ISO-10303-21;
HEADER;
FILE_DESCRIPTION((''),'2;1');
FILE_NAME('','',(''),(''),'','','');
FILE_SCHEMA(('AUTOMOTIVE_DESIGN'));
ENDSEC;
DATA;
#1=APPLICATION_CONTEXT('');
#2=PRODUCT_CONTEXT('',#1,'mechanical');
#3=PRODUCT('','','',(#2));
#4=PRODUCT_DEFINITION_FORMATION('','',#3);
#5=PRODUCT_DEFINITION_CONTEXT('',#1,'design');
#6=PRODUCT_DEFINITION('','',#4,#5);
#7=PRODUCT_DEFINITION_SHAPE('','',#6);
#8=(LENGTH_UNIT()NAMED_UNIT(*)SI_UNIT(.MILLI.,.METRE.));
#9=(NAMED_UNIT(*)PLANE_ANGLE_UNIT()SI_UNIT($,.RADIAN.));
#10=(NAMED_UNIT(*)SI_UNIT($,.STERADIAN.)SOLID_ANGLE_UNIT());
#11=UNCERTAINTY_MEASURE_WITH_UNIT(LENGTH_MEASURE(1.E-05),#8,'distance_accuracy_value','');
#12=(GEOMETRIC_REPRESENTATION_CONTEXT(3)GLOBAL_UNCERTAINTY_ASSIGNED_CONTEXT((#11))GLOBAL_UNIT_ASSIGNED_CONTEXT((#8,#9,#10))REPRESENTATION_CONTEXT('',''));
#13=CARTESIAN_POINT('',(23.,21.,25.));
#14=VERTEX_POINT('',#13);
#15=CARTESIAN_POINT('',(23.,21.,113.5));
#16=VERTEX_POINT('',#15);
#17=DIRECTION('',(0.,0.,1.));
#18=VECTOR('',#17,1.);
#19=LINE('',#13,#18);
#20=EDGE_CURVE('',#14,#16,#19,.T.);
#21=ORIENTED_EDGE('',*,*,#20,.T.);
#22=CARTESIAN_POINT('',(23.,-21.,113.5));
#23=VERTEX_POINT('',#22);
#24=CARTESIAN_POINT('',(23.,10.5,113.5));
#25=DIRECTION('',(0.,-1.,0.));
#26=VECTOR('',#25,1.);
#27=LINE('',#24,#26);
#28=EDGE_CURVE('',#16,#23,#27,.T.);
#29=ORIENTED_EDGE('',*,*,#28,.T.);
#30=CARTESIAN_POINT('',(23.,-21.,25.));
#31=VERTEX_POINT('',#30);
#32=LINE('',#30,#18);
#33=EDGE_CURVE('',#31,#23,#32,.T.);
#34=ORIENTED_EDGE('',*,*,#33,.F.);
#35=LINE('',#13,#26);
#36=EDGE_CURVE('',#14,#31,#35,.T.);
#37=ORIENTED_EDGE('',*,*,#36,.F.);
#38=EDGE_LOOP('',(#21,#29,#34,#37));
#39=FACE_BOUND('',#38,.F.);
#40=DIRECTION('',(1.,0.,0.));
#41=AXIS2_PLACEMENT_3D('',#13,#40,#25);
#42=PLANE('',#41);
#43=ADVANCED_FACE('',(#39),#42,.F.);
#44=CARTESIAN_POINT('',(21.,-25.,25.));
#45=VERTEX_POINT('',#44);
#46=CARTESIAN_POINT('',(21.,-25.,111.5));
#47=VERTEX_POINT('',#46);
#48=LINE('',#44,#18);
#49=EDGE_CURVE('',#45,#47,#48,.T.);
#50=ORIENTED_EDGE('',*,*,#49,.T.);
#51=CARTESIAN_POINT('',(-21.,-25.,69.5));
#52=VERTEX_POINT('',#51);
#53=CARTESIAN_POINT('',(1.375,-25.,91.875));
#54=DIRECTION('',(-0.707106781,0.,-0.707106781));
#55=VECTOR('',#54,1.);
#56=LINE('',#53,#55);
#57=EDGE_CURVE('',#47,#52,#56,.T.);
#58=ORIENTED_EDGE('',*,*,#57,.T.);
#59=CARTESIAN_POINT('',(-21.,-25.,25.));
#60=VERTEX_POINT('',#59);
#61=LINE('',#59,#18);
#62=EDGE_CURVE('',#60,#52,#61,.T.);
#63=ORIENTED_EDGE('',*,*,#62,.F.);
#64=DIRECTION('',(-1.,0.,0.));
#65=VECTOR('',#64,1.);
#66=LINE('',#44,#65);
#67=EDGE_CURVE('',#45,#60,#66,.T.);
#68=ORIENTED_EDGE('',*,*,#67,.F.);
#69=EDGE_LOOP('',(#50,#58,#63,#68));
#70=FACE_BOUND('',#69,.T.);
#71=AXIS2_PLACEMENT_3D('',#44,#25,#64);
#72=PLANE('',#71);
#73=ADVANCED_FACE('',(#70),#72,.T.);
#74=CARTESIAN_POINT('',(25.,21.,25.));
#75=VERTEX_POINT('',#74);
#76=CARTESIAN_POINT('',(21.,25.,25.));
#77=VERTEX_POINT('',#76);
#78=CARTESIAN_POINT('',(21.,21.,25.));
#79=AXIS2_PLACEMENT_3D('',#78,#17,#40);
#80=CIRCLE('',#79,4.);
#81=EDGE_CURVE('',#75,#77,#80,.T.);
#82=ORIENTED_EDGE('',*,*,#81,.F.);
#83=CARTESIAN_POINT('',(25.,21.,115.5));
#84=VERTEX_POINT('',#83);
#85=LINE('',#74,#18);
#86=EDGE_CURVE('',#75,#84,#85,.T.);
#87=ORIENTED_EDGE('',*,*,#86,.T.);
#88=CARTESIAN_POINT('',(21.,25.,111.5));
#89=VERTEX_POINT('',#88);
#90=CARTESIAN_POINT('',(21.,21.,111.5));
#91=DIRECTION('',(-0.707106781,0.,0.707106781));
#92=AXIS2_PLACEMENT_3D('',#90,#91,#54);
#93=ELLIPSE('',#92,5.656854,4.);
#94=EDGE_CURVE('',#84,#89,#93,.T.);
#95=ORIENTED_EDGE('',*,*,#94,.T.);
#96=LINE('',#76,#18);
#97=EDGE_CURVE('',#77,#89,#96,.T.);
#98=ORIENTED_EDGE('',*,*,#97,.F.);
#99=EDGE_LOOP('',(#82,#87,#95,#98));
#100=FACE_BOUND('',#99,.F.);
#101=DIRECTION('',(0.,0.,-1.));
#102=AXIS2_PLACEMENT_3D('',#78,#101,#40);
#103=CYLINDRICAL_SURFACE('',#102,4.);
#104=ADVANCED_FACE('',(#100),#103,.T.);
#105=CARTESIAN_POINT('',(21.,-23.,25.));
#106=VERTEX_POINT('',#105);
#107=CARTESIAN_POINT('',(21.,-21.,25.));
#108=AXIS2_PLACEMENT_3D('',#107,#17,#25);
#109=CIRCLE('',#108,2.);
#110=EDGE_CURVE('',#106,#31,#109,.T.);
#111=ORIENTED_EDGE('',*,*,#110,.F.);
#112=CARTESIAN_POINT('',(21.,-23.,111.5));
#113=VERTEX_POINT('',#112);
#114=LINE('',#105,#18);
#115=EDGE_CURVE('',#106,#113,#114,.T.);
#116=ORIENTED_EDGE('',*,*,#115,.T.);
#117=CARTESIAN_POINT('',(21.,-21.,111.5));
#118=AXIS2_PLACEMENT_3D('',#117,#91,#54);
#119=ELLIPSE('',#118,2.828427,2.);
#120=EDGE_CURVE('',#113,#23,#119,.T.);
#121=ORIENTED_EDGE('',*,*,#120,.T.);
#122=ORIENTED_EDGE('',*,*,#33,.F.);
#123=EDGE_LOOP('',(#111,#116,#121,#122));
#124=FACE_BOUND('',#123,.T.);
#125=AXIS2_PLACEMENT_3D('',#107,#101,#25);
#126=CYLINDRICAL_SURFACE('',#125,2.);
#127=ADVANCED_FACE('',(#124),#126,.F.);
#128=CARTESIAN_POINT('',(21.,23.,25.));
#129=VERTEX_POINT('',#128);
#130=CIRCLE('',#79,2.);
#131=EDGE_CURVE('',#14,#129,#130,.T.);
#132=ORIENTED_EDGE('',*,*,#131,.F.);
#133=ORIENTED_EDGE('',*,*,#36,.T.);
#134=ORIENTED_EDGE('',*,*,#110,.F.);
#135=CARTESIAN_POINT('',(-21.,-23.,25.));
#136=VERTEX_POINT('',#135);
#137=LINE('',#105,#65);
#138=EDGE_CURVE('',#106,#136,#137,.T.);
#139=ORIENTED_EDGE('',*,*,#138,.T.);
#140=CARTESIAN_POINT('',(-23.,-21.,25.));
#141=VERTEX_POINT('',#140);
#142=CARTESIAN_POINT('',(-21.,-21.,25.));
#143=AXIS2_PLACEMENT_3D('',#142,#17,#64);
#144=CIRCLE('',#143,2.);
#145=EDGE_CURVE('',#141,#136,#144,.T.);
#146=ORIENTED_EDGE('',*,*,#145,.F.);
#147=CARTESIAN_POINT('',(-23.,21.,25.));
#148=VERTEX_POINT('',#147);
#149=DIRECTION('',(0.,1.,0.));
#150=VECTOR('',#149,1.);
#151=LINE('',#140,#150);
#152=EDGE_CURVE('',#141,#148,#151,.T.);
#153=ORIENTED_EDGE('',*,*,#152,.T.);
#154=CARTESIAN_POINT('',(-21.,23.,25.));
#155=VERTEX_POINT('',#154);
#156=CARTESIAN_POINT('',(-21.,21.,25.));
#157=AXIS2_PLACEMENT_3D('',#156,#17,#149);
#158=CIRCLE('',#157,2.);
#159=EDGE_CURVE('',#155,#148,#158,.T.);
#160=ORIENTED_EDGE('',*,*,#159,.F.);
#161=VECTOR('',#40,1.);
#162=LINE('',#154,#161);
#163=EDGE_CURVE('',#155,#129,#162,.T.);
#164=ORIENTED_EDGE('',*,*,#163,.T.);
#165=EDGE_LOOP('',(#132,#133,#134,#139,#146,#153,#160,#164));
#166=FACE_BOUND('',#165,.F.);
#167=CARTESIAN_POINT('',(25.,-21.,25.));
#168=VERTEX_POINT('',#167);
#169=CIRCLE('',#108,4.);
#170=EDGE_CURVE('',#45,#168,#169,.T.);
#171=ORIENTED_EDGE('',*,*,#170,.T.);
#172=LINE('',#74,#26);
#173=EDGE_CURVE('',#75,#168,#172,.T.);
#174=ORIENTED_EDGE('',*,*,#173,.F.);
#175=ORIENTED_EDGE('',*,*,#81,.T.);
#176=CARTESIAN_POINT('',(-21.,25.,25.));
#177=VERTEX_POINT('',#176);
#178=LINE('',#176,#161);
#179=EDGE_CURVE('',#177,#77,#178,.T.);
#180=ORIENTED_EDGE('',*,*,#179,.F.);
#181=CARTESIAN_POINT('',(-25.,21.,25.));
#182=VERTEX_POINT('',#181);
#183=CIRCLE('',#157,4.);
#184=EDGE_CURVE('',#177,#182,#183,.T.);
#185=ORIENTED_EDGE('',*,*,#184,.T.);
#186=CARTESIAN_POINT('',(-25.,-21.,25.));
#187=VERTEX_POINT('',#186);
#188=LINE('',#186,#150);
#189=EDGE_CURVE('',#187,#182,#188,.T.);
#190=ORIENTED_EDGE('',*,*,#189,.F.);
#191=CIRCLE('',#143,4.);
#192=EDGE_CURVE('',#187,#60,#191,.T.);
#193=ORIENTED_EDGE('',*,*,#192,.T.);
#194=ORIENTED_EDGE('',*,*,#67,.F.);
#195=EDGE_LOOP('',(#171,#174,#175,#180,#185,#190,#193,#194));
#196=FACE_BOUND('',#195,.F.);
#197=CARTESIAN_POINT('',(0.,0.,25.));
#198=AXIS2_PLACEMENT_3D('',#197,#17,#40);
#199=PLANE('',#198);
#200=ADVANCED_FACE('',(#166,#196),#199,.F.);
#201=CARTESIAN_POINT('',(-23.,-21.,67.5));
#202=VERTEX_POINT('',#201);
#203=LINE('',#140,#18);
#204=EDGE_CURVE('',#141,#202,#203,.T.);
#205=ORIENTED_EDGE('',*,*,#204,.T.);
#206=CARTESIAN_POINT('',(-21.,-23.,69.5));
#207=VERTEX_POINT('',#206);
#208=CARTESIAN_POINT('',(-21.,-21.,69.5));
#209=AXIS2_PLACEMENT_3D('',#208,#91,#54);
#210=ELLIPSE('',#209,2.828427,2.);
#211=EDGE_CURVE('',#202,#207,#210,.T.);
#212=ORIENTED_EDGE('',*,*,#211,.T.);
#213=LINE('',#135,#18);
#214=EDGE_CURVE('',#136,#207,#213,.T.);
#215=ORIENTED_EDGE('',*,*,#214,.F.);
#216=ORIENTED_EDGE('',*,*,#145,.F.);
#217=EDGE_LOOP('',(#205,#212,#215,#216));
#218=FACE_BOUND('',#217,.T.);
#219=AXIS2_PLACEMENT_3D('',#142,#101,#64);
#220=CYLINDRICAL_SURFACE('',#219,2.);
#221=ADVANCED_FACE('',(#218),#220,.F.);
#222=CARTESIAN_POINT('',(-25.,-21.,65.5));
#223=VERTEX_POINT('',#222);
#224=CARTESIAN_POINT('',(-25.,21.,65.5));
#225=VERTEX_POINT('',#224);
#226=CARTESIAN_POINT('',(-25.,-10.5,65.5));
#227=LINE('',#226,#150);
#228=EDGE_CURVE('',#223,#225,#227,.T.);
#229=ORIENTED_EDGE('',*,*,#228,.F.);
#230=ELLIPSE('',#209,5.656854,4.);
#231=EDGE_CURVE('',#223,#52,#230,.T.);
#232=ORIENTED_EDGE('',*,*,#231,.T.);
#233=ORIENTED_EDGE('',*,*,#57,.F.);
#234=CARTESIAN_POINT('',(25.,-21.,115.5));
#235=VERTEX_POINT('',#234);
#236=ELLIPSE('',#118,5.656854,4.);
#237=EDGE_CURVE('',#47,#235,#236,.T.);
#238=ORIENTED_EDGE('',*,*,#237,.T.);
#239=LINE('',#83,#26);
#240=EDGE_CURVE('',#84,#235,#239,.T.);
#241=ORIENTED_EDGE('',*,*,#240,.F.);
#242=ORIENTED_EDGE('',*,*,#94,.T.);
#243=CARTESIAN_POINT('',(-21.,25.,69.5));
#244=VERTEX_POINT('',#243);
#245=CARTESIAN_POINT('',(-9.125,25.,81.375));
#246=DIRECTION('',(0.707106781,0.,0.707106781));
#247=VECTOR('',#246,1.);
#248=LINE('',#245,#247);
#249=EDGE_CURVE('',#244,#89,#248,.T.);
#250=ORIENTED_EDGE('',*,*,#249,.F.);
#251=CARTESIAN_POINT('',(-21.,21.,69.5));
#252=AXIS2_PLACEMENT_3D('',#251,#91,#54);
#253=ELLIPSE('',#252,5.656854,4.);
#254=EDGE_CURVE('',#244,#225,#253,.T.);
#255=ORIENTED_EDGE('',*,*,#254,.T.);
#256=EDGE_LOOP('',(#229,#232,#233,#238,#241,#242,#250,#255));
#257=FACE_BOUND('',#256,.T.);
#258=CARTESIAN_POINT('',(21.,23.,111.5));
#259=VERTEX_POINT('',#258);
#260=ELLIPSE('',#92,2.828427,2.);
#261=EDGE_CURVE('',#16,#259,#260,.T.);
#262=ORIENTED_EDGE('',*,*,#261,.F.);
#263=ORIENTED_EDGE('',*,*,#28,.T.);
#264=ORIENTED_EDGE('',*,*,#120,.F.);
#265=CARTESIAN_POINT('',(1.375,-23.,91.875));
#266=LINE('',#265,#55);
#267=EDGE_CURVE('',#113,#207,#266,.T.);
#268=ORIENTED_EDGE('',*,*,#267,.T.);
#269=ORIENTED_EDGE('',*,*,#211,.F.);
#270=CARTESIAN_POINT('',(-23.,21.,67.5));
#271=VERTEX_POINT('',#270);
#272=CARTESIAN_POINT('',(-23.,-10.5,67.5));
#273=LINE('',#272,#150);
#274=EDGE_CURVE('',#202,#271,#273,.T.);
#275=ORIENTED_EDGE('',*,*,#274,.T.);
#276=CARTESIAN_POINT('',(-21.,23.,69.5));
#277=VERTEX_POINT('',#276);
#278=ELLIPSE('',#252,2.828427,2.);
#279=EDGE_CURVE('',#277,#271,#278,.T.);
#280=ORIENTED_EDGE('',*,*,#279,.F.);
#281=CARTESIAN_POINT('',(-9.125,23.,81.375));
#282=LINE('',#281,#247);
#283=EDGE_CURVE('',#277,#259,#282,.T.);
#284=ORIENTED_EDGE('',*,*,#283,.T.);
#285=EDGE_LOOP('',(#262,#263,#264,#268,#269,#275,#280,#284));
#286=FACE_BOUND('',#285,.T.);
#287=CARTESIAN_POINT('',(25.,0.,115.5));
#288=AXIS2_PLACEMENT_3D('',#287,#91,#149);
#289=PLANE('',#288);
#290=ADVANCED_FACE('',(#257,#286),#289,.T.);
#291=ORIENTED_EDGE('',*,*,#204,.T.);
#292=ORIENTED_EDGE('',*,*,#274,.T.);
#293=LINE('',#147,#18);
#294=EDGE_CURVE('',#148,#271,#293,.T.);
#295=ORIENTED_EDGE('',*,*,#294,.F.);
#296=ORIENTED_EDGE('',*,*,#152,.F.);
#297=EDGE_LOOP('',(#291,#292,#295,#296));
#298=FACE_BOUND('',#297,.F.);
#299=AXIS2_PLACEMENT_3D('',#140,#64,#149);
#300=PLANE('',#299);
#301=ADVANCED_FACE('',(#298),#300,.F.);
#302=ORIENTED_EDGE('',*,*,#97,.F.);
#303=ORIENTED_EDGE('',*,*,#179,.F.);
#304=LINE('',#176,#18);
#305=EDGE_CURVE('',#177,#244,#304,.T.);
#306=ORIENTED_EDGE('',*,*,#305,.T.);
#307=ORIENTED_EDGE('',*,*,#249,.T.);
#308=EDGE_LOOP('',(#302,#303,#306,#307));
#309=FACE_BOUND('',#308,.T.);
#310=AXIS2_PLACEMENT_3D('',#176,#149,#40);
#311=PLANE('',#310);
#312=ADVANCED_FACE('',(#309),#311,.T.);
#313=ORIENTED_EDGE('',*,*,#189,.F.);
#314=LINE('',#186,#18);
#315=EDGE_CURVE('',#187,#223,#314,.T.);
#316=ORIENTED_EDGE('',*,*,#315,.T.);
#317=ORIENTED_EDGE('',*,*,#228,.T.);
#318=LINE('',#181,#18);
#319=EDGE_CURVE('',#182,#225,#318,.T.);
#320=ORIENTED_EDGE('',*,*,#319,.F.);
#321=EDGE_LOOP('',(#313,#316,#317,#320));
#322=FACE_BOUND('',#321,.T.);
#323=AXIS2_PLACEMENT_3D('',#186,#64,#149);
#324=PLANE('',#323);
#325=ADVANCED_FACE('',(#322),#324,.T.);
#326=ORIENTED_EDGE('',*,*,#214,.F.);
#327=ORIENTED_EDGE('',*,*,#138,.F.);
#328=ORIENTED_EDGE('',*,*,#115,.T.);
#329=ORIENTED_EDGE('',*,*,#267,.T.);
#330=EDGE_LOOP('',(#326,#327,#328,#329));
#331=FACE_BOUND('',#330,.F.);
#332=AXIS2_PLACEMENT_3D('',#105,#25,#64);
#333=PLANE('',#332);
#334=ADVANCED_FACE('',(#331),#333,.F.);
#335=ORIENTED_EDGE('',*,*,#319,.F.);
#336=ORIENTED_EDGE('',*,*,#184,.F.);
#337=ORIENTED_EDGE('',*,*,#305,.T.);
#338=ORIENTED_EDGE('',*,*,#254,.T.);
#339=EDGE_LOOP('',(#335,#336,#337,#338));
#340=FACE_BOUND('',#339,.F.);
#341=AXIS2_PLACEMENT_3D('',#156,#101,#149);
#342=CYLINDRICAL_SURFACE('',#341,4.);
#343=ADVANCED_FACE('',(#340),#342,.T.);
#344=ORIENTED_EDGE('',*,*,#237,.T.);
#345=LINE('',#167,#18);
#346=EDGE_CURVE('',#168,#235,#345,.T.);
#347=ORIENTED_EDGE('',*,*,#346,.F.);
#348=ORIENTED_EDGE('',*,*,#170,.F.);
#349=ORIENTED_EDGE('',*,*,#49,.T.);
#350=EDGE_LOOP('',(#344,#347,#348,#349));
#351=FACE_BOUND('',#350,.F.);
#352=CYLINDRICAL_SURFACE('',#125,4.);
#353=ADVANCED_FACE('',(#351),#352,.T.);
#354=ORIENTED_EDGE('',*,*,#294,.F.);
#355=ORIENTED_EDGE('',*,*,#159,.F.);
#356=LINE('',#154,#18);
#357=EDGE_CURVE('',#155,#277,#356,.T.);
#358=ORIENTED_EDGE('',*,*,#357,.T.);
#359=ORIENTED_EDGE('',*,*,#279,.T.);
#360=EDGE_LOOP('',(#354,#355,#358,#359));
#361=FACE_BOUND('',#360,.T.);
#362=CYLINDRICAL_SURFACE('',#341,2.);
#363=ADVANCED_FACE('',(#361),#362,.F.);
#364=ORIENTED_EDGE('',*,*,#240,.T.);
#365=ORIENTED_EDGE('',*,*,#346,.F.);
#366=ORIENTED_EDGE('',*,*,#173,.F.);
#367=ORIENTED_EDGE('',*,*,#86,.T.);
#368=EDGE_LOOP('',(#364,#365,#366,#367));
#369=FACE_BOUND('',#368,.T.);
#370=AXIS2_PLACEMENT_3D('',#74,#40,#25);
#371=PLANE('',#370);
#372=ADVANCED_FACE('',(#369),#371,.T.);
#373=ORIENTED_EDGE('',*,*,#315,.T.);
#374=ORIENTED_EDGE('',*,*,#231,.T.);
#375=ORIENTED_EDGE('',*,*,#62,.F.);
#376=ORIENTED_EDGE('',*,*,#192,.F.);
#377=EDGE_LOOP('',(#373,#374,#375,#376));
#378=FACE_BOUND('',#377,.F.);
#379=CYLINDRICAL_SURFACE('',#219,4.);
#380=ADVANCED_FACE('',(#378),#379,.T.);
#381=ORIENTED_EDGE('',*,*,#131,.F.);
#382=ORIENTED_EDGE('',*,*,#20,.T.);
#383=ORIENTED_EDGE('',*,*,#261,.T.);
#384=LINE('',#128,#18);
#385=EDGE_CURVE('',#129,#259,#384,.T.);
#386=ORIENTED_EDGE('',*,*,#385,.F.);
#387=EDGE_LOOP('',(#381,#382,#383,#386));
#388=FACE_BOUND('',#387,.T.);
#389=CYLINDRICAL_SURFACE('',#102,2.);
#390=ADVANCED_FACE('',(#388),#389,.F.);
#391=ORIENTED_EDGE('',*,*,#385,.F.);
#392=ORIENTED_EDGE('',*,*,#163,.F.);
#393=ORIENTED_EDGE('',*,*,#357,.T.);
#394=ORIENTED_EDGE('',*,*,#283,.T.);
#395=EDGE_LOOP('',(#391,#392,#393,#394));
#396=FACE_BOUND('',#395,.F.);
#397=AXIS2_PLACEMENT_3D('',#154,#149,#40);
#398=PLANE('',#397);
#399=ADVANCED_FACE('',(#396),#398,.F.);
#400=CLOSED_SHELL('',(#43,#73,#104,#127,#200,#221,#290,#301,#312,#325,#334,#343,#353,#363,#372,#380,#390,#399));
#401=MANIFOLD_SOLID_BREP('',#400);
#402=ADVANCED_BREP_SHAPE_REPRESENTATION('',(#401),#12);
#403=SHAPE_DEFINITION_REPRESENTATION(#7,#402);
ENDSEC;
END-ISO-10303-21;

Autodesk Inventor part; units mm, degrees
ref_plane "Start Plane" through (0, 0, 25) normal (0, 0, 1) x (1, 0, 0)
ref_plane "End Plane" through (0, 0, 115.5) normal (0, 0, 1) x (1, 0, 0)
sketch "Sketch" plane through (0, 0, 0) normal (0, 0, 1) x (1, 0, 0)
  line L0 (-25, -21) -> (-25, 21)
  line L1 (-21, 25) -> (21, 25)
  line L2 (25, 21) -> (25, -21)
  line L3 (21, -25) -> (-21, -25)
  arc A0 (-25, -21) -> (-21, -25) centre (-21, -21) ccw
  arc A1 (25, 21) -> (21, 25) centre (21, 21) ccw
  arc A2 (-21, 25) -> (-25, 21) centre (-21, 21) ccw
  arc A3 (21, -25) -> (25, -21) centre (21, -21) ccw
  arc A4 (-21, 23) -> (-23, 21) centre (-21, 21) ccw
  line L4 (-21, 23) -> (21, 23)
  arc A5 (23, 21) -> (21, 23) centre (21, 21) ccw
  line L5 (23, 21) -> (23, -21)
  arc A6 (21, -23) -> (23, -21) centre (21, -21) ccw
  line L6 (21, -23) -> (-21, -23)
  arc A7 (-23, -21) -> (-21, -23) centre (-21, -21) ccw
  line L7 (-23, -21) -> (-23, 21)
  line L8 (0, 36.1598) -> (0, -36.1598) construction
  line L9 (-36.1598, 0) -> (36.1598, 0) construction
  dimension "d7" = 4
  dimension "d9" = 50
  dimension "d11" = 50
  dimension "d12" = 2
  dimension "d15" = 25
  dimension "d16" = 25
extrude "Body" add sketch "Sketch" along normal up to surface (90.5 mm away) from surface at 25
sketch "Sketch3" plane through (0, 0, 0) normal (0, 0, 1) x (1, 0, 0)
  line L0 (0, 0) -> (10, 0)
ref_plane "Work Plane3" through (0, 0, 0) normal (0, -1, 0) x (1, 0, 0)
sketch "Sketch4" plane through (0, 0, 0) normal (0, -1, 0) x (1, 0, 0)
  line L0 (-2, 25) -> (12, 25)
  line L1 (-2, 115.5) -> (12, 115.5)
  dimension "d18" = 90.5
ref_plane "Work Plane4" through (25, 0, 115.5) normal (-0.7071, 0, 0.7071) x (0.7071, 0, 0.7071)
split "Split1" plane through (25, 0, 115.5) removes the side toward (-0.7071, 0, 0.7071)
ref_plane "Work Plane5" through (21, -2027.25, 25) normal (0, 0, -1) x (-1, 0, 0)
split "Split2" plane through (21, -2027.25, 25) removes the side toward (0, 0, -1)
equation "\"d7\" = G_IR"
equation "\"d9\" = G_W"
equation "\"d11\" = G_H"
equation "\"d12\" = G_T"
equation "\"d15\" = 0.5 * d9"
equation "\"d16\" = 0.5 * d11"
equation "\"d3\" = G_L"
equation "\"G_W\" = 50"
equation "\"G_H\" = 50"
equation "\"G_T\" = 2"
equation "\"G_IR\" = 4"
equation "\"G_L\" = d18"
equation "\"G_OFFSET_START\" = -25"
equation "\"G_OFFSET_END\" = 25"
equation "\"d13\" = -G_OFFSET_START"
equation "\"d14\" = G_OFFSET_END + B_L"
equation "\"B_L\" = 90.5"
properties part number "ISO 10799-2 - 50x50x2 - 90.5" material "Steel, Galvanized"
